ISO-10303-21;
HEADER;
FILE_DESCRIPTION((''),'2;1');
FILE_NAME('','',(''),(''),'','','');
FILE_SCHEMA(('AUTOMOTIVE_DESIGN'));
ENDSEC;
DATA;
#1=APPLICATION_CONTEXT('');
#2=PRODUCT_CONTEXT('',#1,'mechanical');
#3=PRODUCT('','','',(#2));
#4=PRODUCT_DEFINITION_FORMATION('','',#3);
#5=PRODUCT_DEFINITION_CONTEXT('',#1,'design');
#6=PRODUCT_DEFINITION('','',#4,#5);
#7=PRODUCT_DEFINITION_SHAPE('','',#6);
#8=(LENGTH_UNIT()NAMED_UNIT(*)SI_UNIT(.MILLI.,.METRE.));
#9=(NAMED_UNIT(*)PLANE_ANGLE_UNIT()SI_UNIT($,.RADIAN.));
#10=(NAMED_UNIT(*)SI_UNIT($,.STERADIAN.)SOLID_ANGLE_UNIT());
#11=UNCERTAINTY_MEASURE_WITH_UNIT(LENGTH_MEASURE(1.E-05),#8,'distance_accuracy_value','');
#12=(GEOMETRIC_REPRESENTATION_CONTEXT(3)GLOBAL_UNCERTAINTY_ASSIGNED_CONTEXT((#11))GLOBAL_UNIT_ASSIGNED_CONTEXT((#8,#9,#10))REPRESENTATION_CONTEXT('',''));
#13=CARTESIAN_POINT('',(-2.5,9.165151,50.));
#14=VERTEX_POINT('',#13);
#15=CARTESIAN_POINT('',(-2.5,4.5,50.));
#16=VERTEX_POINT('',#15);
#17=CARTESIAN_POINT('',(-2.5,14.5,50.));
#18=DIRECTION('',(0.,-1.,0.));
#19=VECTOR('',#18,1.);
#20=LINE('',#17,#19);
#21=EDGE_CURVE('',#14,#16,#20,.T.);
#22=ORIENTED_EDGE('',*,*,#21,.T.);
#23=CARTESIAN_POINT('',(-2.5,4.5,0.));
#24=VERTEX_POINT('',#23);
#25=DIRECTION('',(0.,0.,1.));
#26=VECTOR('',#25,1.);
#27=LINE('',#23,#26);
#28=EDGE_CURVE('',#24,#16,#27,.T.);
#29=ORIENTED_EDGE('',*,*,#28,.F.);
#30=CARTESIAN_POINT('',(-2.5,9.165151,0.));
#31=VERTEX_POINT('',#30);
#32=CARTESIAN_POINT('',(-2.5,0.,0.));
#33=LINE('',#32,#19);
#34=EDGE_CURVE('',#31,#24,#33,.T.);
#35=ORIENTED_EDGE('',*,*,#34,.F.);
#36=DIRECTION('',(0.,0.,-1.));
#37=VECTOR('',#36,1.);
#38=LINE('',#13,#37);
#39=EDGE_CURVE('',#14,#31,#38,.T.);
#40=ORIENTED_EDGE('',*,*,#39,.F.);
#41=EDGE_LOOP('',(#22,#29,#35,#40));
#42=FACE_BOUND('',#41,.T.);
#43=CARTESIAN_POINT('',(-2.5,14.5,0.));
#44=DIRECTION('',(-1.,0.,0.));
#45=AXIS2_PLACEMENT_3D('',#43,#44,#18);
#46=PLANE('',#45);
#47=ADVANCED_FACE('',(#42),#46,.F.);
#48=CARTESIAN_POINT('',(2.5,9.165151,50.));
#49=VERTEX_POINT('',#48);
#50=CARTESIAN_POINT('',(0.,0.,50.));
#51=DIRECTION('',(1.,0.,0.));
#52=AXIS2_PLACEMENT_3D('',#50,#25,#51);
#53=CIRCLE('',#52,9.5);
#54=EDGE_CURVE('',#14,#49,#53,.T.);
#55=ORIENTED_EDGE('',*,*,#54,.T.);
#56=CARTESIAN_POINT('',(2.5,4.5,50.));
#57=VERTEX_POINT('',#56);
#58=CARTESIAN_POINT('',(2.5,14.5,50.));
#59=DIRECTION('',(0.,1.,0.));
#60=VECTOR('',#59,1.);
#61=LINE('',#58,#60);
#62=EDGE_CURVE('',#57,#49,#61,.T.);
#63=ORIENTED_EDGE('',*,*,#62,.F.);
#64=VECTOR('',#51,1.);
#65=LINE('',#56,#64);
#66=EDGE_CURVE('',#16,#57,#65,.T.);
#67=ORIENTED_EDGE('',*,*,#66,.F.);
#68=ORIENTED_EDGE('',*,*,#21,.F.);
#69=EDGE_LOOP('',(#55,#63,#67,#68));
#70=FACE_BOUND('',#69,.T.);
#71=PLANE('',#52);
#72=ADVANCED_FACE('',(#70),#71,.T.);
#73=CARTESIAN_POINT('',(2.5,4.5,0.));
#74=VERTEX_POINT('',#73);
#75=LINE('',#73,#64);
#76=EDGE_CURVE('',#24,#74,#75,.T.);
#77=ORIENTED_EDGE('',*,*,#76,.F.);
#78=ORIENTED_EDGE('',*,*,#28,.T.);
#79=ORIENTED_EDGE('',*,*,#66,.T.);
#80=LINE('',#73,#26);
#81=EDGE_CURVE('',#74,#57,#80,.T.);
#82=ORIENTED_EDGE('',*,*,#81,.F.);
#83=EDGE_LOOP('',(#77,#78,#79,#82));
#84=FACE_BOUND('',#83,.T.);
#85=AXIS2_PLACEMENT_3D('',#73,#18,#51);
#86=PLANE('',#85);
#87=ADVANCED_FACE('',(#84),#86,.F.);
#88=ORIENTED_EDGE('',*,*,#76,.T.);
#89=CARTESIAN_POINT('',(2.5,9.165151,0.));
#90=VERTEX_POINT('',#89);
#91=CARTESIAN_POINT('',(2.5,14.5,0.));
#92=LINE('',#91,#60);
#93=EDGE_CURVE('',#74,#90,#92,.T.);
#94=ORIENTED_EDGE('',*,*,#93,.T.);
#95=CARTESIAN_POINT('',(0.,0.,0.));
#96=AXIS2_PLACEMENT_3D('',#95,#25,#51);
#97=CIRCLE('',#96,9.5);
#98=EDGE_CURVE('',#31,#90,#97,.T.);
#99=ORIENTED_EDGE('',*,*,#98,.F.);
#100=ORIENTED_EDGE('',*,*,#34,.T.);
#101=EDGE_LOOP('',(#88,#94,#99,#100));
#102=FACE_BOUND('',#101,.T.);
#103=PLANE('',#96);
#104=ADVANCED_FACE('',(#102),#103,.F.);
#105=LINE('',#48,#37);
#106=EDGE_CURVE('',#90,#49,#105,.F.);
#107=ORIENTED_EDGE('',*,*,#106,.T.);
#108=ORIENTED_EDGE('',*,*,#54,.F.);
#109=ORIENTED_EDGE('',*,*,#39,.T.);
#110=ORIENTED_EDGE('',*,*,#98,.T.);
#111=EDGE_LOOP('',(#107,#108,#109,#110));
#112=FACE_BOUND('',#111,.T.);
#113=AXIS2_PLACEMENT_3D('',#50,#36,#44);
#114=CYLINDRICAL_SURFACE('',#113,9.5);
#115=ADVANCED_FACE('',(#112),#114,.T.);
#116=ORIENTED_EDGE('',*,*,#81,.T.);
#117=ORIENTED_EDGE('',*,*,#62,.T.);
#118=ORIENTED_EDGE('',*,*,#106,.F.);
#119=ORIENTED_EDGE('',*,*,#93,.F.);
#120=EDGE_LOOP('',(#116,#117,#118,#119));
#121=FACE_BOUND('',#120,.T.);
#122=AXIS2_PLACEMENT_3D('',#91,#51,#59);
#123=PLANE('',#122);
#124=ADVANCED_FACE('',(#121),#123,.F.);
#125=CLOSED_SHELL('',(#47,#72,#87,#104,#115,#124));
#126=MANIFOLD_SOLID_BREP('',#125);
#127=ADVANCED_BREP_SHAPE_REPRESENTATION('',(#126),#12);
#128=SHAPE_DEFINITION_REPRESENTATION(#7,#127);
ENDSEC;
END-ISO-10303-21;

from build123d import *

# Parameters (mm, degrees)
SKETCH1_R           = 9.5
BOSS_EXTRUDE1_DEPTH = 50
SKETCH2_W           = 5
SKETCH2_H           = 10
CUT_EXTRUDE1_DEPTH  = 52.773545368


with BuildPart() as part:
    # Sketch1 → Boss-Extrude1 (new body)
    with BuildSketch(Plane.XY):
        Circle(SKETCH1_R)
    extrude(amount=BOSS_EXTRUDE1_DEPTH)

    # Sketch2 → Cut-Extrude1 (cut, through all)
    with BuildSketch(Plane.XY.offset(50)):
        with Locations((0, 9.5)):
            Rectangle(SKETCH2_W, SKETCH2_H)
    extrude(amount=-CUT_EXTRUDE1_DEPTH, mode=Mode.SUBTRACT)


solid = part.part
